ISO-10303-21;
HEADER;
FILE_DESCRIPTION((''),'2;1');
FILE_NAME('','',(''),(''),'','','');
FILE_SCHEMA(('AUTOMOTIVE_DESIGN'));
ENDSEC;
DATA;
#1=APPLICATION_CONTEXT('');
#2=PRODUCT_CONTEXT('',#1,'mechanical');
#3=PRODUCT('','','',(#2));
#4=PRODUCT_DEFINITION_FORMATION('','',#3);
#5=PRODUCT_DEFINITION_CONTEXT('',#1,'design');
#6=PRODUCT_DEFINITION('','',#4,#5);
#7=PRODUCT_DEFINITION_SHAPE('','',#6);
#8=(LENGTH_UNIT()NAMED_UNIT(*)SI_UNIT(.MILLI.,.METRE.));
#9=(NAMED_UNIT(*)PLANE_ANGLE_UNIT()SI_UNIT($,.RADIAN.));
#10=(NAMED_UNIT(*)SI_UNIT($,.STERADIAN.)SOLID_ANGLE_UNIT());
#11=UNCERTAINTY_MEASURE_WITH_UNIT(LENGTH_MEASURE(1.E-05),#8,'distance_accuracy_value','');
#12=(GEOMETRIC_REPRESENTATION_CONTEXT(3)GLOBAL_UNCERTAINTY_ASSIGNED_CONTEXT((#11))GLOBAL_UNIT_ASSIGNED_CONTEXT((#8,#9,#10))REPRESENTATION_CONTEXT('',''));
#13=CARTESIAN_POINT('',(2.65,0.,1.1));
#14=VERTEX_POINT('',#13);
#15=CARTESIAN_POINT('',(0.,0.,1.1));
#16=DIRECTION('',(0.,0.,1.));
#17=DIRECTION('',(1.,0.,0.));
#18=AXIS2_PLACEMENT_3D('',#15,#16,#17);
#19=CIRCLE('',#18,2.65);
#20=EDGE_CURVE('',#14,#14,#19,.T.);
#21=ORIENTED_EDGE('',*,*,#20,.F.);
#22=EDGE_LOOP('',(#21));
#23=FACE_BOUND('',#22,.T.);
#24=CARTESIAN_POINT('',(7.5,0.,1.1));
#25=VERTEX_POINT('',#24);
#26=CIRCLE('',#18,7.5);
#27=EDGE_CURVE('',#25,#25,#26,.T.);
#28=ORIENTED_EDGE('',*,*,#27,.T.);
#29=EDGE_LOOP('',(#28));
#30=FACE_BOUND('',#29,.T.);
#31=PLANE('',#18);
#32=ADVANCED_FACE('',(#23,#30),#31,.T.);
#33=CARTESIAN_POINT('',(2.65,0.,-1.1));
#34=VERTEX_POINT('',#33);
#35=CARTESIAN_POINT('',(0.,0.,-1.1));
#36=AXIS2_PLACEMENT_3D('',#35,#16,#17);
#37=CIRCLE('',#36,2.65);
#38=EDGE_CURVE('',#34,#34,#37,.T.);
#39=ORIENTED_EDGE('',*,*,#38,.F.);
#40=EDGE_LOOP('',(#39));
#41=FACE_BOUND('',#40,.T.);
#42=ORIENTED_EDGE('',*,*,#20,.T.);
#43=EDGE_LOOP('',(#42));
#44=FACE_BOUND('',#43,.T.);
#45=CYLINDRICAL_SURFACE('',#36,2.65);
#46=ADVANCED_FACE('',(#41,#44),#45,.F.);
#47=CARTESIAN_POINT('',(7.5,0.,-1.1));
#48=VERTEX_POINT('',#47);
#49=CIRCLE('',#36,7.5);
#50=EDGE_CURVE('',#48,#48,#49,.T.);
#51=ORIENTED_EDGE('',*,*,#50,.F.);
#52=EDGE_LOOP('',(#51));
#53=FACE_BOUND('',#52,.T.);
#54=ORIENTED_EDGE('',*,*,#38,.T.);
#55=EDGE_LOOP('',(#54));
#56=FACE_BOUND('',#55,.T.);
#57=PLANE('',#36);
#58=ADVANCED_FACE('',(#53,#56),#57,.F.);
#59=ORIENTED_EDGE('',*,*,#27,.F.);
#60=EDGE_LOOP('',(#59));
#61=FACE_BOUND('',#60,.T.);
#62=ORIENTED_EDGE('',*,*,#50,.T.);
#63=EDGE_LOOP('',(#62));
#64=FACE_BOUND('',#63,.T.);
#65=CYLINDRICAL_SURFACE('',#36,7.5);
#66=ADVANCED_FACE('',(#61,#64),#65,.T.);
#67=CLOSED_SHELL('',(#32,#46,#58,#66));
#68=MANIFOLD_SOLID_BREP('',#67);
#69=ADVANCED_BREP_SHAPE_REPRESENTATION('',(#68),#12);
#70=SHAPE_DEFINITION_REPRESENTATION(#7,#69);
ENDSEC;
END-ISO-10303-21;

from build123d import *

# Parameters (mm, degrees)
SKETCH3_R                = 7.5
SKETCH3_R_2              = 2.65
BOSS_EXTRUDE1_DEPTH      = 1.1
BOSS_EXTRUDE1_DEPTH_BACK = 1.1


with BuildPart() as part:
    # Sketch3 → Boss-Extrude1 (new body, two sides)
    with BuildSketch(Plane.XY) as boss_extrude1_sk:
        Circle(SKETCH3_R)
        Circle(SKETCH3_R_2, mode=Mode.SUBTRACT)
    extrude(amount=BOSS_EXTRUDE1_DEPTH)
    extrude(boss_extrude1_sk.sketch, amount=-BOSS_EXTRUDE1_DEPTH_BACK)


solid = part.part
